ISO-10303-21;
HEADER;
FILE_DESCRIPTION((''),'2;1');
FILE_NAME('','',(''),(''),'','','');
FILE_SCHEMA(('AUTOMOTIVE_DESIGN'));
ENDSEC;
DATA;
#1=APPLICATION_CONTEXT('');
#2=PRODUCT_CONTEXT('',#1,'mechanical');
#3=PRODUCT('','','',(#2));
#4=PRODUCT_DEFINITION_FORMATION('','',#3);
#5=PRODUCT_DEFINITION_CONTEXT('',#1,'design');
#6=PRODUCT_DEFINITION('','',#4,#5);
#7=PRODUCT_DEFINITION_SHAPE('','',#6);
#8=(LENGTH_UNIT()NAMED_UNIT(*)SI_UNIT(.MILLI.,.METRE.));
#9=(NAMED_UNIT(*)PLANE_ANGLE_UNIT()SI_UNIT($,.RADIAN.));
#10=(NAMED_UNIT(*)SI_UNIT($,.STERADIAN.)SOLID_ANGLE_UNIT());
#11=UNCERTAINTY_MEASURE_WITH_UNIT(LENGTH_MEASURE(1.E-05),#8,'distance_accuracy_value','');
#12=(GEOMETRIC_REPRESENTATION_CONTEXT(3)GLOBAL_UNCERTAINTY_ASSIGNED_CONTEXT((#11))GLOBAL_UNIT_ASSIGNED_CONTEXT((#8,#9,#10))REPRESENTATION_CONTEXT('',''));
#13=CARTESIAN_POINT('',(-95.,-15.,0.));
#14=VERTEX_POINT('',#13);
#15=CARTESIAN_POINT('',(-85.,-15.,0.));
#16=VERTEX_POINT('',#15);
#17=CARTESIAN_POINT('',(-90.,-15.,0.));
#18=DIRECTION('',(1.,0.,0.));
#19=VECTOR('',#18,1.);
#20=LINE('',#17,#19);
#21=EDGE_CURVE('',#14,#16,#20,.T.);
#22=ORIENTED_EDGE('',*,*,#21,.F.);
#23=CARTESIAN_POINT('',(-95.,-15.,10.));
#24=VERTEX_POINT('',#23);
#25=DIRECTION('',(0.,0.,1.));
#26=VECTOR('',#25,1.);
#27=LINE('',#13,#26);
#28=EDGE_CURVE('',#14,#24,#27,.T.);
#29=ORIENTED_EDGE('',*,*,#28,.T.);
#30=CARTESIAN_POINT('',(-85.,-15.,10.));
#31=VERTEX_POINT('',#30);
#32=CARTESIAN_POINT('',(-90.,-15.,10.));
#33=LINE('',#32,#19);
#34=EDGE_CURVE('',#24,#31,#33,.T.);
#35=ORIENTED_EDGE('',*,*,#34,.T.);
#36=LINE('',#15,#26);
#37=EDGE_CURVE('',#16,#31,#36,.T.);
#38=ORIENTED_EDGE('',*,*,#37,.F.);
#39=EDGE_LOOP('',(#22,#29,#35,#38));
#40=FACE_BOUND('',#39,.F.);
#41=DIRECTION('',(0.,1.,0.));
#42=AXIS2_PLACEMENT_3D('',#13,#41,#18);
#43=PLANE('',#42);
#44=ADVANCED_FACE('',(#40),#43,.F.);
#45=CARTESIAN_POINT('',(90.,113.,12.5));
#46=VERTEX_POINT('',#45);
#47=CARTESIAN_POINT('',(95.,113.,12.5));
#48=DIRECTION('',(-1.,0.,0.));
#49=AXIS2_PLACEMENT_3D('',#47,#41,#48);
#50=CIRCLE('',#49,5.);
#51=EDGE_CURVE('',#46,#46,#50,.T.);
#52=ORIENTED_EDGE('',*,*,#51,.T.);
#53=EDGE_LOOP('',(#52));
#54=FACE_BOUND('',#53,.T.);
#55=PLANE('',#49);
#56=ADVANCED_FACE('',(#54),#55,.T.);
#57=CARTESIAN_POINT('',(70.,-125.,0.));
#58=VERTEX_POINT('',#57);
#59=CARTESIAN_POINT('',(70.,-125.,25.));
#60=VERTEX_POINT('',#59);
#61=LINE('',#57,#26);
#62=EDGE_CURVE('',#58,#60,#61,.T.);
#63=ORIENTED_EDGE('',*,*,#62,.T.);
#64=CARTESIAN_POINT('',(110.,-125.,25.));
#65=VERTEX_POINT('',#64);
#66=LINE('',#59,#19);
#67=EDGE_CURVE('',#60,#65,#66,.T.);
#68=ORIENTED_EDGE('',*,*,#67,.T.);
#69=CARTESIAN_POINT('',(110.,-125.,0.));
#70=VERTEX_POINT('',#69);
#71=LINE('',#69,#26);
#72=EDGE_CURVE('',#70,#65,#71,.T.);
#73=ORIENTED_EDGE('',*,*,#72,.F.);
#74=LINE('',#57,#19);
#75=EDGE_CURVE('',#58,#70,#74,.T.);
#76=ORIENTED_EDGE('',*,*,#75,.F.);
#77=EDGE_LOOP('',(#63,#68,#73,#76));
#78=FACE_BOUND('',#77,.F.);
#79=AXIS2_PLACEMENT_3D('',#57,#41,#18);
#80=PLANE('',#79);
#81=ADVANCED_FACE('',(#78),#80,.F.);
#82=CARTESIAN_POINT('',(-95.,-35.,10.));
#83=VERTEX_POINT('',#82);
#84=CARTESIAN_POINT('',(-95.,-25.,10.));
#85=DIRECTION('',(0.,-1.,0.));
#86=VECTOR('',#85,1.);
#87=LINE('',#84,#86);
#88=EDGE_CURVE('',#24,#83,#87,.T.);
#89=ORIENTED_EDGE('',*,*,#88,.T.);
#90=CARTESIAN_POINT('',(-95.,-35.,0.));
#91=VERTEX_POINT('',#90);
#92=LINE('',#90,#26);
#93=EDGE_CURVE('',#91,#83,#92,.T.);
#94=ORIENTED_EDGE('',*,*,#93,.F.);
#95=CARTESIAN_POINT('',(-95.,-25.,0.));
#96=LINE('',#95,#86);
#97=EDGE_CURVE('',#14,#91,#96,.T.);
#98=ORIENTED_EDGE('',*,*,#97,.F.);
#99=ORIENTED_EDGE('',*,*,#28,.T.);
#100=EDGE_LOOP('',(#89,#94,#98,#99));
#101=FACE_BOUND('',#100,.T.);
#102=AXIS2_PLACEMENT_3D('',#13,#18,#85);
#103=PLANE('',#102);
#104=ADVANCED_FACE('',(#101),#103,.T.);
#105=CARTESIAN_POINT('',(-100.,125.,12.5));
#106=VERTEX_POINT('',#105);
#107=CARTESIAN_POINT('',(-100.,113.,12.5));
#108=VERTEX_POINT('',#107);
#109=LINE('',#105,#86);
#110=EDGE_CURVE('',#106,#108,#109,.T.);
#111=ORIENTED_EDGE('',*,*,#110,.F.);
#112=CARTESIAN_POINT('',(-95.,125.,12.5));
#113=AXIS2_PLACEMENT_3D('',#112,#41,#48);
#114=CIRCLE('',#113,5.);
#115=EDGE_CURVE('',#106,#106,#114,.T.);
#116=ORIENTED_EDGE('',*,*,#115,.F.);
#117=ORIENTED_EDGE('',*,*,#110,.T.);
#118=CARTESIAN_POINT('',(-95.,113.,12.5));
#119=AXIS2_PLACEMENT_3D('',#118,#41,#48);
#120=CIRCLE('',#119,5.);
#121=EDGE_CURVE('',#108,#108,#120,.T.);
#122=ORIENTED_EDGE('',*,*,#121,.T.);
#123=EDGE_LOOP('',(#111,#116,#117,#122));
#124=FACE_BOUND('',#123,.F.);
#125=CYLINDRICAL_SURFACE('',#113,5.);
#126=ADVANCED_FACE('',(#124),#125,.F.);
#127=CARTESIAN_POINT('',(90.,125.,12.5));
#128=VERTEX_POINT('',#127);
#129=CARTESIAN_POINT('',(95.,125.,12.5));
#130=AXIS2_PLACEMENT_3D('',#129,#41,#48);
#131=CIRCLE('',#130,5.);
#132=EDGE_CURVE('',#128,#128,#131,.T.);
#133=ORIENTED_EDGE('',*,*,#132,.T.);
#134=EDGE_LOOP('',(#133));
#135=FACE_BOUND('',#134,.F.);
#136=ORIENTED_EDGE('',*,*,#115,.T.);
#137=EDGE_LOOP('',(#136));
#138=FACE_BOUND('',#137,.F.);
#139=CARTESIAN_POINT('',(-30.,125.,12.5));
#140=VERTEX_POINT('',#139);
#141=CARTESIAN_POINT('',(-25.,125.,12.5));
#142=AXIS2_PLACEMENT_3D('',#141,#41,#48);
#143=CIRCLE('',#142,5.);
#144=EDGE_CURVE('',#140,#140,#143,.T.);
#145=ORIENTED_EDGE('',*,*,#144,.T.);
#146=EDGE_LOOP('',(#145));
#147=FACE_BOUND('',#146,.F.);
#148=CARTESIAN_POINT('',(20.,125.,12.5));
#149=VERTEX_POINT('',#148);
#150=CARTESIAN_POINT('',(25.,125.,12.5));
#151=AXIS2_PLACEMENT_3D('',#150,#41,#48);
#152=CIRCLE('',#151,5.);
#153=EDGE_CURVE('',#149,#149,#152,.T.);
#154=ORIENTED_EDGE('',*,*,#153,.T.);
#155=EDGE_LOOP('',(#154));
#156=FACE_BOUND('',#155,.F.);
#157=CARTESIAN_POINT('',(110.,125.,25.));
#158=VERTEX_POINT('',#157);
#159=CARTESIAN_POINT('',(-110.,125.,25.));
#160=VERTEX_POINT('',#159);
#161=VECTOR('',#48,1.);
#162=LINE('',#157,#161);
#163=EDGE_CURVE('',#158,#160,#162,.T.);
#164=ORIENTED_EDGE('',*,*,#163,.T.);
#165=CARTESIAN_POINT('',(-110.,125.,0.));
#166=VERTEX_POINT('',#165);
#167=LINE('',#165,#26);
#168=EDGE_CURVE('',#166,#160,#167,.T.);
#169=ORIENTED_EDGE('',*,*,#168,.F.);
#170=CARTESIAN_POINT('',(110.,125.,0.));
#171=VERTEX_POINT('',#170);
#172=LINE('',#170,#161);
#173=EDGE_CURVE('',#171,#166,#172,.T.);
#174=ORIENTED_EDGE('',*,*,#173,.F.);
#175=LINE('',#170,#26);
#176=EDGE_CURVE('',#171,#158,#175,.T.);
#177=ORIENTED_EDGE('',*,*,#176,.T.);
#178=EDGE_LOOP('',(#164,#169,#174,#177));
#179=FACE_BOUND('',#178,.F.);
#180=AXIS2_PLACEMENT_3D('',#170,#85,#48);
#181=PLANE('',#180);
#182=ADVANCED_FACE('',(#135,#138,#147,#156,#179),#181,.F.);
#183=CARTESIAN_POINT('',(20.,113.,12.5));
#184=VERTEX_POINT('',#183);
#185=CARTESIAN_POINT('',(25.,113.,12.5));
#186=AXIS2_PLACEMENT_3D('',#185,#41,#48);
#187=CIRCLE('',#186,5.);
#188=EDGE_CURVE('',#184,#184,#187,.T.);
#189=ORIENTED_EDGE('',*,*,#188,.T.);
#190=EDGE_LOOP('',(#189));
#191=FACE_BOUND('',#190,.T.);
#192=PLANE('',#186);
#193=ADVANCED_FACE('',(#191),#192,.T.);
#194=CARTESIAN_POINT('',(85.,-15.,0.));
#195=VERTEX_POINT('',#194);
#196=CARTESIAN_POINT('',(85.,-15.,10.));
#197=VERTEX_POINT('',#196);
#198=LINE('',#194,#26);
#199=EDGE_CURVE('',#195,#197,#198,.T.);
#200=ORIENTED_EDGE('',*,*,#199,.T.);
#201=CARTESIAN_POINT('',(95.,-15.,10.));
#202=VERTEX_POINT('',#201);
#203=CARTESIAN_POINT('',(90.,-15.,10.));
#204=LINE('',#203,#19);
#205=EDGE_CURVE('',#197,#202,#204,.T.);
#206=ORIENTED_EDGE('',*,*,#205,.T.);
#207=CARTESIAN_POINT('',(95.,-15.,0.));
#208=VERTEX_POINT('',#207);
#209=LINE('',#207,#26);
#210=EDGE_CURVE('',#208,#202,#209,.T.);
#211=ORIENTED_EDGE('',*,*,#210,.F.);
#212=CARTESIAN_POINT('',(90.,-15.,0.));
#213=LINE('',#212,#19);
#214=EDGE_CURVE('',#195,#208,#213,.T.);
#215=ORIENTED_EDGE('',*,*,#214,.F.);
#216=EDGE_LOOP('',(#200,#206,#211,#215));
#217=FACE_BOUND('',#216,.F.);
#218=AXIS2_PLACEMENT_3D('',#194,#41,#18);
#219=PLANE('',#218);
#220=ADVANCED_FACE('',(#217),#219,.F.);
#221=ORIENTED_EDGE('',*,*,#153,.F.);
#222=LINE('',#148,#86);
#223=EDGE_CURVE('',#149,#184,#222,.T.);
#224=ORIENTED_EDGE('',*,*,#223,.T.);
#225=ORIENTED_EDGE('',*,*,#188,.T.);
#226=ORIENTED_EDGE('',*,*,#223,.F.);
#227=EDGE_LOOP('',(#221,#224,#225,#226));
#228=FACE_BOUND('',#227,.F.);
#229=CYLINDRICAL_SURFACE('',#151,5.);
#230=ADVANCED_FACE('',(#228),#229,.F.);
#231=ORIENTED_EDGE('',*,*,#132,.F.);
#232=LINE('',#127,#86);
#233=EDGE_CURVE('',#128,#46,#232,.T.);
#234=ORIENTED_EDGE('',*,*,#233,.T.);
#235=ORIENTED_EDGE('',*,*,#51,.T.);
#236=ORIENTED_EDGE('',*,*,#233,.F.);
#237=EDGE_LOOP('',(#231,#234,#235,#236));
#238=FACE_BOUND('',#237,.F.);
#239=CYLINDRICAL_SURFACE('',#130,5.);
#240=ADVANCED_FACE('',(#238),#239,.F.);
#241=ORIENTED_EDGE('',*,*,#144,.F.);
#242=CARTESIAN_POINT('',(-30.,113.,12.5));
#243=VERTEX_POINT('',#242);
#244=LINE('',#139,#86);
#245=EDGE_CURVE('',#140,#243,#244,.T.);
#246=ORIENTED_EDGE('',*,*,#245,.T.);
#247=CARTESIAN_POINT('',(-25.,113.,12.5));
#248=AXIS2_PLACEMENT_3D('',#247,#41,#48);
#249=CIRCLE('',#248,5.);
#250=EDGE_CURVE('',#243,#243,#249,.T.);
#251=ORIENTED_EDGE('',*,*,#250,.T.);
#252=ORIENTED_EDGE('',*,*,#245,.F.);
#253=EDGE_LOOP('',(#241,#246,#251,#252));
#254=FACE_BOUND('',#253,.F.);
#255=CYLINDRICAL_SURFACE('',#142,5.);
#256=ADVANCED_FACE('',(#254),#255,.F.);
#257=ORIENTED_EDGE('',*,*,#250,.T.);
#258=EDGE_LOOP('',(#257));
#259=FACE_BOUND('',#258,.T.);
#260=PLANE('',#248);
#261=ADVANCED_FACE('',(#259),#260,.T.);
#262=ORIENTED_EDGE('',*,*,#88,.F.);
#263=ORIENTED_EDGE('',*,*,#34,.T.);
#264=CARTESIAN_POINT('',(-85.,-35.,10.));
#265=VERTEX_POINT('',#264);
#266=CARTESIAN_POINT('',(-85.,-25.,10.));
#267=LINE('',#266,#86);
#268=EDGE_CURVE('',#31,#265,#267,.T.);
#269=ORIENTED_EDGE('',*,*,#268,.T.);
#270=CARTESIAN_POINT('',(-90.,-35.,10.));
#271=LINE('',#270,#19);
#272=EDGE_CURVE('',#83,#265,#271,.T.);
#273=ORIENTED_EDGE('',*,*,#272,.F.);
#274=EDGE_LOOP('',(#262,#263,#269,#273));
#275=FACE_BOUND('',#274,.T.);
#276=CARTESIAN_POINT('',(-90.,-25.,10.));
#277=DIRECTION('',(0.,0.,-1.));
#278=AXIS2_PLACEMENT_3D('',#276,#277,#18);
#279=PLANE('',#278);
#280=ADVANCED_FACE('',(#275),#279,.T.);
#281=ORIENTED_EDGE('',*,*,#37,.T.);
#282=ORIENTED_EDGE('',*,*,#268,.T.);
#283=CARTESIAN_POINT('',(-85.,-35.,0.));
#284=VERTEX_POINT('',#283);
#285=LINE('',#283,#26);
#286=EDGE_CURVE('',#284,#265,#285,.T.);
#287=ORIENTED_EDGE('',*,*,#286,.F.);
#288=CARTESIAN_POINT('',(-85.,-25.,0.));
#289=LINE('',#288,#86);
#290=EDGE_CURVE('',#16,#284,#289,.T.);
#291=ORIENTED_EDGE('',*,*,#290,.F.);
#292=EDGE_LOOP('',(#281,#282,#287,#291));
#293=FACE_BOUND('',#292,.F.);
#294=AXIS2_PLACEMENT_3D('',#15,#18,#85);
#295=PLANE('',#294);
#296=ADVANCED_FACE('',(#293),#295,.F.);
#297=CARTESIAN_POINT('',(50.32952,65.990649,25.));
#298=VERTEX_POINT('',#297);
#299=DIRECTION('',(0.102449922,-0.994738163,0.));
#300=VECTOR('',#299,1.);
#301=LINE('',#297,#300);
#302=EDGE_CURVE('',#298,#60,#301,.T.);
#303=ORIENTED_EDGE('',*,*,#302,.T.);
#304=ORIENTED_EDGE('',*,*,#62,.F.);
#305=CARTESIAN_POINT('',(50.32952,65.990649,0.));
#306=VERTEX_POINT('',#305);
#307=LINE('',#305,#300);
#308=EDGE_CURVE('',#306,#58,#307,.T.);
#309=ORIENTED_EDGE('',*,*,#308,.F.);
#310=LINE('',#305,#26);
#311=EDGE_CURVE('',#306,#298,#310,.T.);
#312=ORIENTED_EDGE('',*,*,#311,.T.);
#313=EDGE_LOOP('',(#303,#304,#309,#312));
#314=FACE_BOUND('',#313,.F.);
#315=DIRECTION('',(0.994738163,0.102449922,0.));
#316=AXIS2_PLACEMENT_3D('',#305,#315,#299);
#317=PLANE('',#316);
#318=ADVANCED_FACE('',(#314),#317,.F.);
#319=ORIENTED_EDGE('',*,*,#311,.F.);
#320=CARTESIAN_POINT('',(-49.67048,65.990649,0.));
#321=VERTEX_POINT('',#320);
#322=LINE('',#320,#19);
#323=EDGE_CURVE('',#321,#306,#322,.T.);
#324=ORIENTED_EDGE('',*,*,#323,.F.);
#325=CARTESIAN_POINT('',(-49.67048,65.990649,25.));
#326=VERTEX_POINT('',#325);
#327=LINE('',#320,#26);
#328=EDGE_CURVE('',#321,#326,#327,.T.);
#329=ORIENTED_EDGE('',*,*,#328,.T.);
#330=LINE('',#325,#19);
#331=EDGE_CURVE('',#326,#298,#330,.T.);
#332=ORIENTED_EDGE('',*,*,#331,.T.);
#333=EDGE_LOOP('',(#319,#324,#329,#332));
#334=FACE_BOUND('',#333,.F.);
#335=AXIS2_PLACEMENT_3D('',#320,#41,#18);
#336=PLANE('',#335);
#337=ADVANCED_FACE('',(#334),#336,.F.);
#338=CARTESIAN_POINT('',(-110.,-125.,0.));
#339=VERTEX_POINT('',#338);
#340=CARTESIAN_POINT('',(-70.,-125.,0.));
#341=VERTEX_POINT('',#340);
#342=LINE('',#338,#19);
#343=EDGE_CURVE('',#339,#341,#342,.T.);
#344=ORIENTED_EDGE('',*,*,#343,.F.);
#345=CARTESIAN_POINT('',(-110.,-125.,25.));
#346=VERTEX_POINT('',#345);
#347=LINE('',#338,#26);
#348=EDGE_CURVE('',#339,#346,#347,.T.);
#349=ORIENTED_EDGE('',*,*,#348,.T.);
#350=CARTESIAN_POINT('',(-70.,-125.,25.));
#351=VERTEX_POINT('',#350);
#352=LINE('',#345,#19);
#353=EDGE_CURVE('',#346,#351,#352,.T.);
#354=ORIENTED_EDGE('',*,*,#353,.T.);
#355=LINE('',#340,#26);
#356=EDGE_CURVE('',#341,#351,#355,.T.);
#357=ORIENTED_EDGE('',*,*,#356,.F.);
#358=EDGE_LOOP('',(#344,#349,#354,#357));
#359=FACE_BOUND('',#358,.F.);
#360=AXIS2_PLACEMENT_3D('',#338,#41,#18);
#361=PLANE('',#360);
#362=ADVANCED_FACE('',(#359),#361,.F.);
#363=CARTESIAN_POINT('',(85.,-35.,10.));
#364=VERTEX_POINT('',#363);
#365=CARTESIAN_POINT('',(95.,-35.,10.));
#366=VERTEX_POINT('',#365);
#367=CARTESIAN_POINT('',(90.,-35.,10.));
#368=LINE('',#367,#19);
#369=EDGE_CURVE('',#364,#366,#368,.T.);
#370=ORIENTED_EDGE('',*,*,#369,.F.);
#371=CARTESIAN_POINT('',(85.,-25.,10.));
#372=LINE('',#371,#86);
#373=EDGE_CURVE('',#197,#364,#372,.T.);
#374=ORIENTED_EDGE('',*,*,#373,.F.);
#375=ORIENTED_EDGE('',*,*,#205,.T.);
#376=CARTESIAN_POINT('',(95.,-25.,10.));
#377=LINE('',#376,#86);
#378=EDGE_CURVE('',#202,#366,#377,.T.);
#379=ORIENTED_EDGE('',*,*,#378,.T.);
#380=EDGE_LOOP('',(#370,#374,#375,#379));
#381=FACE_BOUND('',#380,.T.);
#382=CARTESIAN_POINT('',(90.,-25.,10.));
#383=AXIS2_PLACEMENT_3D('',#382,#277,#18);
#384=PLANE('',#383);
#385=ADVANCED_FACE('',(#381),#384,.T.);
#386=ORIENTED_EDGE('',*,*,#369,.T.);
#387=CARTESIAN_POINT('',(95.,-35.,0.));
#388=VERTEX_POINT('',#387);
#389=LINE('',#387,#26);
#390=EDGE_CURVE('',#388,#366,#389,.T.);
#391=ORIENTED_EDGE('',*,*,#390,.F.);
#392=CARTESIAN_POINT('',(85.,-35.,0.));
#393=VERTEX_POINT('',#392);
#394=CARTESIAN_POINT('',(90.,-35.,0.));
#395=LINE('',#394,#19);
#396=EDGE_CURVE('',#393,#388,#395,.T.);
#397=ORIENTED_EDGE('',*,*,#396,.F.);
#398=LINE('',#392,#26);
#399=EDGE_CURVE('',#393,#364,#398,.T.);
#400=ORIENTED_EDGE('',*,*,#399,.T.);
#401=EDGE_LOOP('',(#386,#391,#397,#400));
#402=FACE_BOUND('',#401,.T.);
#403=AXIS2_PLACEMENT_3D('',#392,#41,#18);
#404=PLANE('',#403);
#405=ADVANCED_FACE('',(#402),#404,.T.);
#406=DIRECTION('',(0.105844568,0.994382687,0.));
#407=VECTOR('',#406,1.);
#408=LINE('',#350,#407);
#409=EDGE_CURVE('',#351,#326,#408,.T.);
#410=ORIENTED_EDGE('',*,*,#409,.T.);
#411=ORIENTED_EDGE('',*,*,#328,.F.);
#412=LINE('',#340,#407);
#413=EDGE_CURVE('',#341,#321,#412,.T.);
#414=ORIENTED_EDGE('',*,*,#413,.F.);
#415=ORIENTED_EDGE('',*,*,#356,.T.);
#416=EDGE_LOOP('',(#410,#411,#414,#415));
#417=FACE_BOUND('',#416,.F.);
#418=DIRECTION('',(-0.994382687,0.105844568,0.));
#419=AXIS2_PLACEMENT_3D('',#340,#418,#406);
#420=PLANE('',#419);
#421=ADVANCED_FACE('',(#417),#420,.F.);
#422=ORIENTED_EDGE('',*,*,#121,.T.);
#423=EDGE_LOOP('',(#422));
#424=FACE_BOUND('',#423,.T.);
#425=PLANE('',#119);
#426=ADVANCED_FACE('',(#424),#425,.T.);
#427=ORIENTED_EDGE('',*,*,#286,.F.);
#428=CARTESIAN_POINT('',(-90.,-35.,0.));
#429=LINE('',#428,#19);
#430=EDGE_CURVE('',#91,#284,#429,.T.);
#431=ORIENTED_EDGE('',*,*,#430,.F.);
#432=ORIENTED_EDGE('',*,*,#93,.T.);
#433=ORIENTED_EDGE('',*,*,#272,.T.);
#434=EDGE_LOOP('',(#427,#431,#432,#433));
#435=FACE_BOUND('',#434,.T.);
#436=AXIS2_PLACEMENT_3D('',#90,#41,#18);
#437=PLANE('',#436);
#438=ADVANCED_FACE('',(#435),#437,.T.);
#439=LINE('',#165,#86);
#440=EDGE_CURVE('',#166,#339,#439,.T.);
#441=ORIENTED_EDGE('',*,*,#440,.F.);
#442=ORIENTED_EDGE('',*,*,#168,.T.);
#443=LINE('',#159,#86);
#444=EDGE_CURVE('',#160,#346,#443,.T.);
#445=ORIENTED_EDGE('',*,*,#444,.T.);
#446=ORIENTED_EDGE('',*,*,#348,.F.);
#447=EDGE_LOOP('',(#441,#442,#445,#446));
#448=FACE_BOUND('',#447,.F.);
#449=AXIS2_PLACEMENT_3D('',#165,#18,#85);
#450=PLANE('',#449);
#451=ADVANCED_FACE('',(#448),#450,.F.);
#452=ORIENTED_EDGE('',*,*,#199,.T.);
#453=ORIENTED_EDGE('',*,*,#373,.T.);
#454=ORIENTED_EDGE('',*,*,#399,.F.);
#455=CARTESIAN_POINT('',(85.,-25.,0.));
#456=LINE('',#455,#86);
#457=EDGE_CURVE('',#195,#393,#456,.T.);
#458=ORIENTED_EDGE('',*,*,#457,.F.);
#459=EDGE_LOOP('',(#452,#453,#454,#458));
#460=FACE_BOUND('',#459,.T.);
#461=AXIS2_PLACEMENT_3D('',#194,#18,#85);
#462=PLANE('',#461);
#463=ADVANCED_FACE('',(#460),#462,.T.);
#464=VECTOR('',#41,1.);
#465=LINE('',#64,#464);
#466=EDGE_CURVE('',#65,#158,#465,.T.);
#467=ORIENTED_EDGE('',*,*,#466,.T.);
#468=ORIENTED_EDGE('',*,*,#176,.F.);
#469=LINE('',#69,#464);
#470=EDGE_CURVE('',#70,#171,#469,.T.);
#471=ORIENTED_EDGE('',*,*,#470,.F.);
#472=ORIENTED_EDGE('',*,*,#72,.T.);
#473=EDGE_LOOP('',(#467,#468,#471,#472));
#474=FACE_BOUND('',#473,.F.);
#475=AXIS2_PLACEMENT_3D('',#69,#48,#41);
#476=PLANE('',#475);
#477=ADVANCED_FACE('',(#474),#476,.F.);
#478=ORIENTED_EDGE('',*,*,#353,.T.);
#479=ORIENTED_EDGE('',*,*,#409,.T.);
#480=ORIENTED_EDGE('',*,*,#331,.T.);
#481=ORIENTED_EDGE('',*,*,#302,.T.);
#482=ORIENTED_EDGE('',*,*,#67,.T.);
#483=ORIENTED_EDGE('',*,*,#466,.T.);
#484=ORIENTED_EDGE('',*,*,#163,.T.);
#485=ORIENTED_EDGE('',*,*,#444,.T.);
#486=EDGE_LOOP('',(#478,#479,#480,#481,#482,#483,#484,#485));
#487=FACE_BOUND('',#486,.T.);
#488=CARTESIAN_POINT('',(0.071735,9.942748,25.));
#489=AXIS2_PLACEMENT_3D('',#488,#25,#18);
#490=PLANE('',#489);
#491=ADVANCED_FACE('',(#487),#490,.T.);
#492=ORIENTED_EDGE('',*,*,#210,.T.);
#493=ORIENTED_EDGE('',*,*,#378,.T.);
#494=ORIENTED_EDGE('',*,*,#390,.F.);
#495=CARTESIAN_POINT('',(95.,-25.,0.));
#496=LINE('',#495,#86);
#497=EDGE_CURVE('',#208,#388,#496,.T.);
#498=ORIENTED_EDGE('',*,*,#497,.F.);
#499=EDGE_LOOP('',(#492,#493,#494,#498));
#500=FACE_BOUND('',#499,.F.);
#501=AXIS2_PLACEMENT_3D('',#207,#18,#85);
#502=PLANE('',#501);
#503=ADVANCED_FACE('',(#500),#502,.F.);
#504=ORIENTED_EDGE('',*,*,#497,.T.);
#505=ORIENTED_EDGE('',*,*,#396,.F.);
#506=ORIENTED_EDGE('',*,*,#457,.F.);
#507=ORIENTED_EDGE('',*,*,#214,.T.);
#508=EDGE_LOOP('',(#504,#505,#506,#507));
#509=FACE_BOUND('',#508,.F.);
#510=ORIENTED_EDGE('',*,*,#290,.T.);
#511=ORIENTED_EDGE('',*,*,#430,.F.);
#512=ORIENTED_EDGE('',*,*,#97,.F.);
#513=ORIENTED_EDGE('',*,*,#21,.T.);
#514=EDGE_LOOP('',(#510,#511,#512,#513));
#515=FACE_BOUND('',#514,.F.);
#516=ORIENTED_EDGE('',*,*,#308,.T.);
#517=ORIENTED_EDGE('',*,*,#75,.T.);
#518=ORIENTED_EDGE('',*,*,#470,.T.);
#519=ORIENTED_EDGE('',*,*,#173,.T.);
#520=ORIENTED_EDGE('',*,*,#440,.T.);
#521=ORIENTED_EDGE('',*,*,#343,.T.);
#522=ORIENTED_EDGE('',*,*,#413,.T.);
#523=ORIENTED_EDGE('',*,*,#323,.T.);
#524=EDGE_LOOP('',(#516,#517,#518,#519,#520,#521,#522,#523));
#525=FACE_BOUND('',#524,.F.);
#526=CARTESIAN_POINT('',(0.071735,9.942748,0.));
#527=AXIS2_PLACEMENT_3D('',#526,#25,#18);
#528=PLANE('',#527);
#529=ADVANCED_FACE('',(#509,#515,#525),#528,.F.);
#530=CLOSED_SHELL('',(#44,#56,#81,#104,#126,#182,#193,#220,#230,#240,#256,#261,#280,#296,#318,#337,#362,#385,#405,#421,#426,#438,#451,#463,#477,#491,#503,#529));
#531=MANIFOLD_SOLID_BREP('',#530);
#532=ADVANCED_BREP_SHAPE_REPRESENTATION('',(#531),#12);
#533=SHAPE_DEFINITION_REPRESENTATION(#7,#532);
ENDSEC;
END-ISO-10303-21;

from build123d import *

# Parameters (mm, degrees)
F1_DEPTH = 25
F2_R     = 5
F3_DEPTH = 12
F4_W     = 10
F4_H     = 20
F5_DEPTH = 10


with BuildPart() as f1:
    # F0 (on Top) → F1 (new body)
    with BuildSketch(Plane.XY):
        Polygon((110, -125), (110, 125), (-110, 125), (-110, -125), (-70, -125), (-49.67048, 65.990649), (50.32952, 65.990649), (70, -125), align=None)
    extrude(amount=F1_DEPTH)

    # F2 (on face) → F3 (cut)
    with BuildSketch(Plane(origin=(0, 125, 0), x_dir=(-1, 0, 0), z_dir=(0, 1, 0))):
        with Locations((95, 12.5)):
            Circle(F2_R)
        with Locations((25, 12.5)):
            Circle(F2_R)
        with Locations((-25, 12.5)):
            Circle(F2_R)
        with Locations((-95, 12.5)):
            Circle(F2_R)
    extrude(amount=-F3_DEPTH, mode=Mode.SUBTRACT)

    # F4 (on face) → F5 (cut)
    with BuildSketch(Plane(origin=(0, 0, 0), x_dir=(1, 0, 0), z_dir=(0, 0, -1))):
        with Locations((-90, 25)):
            Rectangle(F4_W, F4_H)
        with Locations((90, 25)):
            Rectangle(F4_W, F4_H)
    extrude(amount=-F5_DEPTH, mode=Mode.SUBTRACT)


solid = f1.part
